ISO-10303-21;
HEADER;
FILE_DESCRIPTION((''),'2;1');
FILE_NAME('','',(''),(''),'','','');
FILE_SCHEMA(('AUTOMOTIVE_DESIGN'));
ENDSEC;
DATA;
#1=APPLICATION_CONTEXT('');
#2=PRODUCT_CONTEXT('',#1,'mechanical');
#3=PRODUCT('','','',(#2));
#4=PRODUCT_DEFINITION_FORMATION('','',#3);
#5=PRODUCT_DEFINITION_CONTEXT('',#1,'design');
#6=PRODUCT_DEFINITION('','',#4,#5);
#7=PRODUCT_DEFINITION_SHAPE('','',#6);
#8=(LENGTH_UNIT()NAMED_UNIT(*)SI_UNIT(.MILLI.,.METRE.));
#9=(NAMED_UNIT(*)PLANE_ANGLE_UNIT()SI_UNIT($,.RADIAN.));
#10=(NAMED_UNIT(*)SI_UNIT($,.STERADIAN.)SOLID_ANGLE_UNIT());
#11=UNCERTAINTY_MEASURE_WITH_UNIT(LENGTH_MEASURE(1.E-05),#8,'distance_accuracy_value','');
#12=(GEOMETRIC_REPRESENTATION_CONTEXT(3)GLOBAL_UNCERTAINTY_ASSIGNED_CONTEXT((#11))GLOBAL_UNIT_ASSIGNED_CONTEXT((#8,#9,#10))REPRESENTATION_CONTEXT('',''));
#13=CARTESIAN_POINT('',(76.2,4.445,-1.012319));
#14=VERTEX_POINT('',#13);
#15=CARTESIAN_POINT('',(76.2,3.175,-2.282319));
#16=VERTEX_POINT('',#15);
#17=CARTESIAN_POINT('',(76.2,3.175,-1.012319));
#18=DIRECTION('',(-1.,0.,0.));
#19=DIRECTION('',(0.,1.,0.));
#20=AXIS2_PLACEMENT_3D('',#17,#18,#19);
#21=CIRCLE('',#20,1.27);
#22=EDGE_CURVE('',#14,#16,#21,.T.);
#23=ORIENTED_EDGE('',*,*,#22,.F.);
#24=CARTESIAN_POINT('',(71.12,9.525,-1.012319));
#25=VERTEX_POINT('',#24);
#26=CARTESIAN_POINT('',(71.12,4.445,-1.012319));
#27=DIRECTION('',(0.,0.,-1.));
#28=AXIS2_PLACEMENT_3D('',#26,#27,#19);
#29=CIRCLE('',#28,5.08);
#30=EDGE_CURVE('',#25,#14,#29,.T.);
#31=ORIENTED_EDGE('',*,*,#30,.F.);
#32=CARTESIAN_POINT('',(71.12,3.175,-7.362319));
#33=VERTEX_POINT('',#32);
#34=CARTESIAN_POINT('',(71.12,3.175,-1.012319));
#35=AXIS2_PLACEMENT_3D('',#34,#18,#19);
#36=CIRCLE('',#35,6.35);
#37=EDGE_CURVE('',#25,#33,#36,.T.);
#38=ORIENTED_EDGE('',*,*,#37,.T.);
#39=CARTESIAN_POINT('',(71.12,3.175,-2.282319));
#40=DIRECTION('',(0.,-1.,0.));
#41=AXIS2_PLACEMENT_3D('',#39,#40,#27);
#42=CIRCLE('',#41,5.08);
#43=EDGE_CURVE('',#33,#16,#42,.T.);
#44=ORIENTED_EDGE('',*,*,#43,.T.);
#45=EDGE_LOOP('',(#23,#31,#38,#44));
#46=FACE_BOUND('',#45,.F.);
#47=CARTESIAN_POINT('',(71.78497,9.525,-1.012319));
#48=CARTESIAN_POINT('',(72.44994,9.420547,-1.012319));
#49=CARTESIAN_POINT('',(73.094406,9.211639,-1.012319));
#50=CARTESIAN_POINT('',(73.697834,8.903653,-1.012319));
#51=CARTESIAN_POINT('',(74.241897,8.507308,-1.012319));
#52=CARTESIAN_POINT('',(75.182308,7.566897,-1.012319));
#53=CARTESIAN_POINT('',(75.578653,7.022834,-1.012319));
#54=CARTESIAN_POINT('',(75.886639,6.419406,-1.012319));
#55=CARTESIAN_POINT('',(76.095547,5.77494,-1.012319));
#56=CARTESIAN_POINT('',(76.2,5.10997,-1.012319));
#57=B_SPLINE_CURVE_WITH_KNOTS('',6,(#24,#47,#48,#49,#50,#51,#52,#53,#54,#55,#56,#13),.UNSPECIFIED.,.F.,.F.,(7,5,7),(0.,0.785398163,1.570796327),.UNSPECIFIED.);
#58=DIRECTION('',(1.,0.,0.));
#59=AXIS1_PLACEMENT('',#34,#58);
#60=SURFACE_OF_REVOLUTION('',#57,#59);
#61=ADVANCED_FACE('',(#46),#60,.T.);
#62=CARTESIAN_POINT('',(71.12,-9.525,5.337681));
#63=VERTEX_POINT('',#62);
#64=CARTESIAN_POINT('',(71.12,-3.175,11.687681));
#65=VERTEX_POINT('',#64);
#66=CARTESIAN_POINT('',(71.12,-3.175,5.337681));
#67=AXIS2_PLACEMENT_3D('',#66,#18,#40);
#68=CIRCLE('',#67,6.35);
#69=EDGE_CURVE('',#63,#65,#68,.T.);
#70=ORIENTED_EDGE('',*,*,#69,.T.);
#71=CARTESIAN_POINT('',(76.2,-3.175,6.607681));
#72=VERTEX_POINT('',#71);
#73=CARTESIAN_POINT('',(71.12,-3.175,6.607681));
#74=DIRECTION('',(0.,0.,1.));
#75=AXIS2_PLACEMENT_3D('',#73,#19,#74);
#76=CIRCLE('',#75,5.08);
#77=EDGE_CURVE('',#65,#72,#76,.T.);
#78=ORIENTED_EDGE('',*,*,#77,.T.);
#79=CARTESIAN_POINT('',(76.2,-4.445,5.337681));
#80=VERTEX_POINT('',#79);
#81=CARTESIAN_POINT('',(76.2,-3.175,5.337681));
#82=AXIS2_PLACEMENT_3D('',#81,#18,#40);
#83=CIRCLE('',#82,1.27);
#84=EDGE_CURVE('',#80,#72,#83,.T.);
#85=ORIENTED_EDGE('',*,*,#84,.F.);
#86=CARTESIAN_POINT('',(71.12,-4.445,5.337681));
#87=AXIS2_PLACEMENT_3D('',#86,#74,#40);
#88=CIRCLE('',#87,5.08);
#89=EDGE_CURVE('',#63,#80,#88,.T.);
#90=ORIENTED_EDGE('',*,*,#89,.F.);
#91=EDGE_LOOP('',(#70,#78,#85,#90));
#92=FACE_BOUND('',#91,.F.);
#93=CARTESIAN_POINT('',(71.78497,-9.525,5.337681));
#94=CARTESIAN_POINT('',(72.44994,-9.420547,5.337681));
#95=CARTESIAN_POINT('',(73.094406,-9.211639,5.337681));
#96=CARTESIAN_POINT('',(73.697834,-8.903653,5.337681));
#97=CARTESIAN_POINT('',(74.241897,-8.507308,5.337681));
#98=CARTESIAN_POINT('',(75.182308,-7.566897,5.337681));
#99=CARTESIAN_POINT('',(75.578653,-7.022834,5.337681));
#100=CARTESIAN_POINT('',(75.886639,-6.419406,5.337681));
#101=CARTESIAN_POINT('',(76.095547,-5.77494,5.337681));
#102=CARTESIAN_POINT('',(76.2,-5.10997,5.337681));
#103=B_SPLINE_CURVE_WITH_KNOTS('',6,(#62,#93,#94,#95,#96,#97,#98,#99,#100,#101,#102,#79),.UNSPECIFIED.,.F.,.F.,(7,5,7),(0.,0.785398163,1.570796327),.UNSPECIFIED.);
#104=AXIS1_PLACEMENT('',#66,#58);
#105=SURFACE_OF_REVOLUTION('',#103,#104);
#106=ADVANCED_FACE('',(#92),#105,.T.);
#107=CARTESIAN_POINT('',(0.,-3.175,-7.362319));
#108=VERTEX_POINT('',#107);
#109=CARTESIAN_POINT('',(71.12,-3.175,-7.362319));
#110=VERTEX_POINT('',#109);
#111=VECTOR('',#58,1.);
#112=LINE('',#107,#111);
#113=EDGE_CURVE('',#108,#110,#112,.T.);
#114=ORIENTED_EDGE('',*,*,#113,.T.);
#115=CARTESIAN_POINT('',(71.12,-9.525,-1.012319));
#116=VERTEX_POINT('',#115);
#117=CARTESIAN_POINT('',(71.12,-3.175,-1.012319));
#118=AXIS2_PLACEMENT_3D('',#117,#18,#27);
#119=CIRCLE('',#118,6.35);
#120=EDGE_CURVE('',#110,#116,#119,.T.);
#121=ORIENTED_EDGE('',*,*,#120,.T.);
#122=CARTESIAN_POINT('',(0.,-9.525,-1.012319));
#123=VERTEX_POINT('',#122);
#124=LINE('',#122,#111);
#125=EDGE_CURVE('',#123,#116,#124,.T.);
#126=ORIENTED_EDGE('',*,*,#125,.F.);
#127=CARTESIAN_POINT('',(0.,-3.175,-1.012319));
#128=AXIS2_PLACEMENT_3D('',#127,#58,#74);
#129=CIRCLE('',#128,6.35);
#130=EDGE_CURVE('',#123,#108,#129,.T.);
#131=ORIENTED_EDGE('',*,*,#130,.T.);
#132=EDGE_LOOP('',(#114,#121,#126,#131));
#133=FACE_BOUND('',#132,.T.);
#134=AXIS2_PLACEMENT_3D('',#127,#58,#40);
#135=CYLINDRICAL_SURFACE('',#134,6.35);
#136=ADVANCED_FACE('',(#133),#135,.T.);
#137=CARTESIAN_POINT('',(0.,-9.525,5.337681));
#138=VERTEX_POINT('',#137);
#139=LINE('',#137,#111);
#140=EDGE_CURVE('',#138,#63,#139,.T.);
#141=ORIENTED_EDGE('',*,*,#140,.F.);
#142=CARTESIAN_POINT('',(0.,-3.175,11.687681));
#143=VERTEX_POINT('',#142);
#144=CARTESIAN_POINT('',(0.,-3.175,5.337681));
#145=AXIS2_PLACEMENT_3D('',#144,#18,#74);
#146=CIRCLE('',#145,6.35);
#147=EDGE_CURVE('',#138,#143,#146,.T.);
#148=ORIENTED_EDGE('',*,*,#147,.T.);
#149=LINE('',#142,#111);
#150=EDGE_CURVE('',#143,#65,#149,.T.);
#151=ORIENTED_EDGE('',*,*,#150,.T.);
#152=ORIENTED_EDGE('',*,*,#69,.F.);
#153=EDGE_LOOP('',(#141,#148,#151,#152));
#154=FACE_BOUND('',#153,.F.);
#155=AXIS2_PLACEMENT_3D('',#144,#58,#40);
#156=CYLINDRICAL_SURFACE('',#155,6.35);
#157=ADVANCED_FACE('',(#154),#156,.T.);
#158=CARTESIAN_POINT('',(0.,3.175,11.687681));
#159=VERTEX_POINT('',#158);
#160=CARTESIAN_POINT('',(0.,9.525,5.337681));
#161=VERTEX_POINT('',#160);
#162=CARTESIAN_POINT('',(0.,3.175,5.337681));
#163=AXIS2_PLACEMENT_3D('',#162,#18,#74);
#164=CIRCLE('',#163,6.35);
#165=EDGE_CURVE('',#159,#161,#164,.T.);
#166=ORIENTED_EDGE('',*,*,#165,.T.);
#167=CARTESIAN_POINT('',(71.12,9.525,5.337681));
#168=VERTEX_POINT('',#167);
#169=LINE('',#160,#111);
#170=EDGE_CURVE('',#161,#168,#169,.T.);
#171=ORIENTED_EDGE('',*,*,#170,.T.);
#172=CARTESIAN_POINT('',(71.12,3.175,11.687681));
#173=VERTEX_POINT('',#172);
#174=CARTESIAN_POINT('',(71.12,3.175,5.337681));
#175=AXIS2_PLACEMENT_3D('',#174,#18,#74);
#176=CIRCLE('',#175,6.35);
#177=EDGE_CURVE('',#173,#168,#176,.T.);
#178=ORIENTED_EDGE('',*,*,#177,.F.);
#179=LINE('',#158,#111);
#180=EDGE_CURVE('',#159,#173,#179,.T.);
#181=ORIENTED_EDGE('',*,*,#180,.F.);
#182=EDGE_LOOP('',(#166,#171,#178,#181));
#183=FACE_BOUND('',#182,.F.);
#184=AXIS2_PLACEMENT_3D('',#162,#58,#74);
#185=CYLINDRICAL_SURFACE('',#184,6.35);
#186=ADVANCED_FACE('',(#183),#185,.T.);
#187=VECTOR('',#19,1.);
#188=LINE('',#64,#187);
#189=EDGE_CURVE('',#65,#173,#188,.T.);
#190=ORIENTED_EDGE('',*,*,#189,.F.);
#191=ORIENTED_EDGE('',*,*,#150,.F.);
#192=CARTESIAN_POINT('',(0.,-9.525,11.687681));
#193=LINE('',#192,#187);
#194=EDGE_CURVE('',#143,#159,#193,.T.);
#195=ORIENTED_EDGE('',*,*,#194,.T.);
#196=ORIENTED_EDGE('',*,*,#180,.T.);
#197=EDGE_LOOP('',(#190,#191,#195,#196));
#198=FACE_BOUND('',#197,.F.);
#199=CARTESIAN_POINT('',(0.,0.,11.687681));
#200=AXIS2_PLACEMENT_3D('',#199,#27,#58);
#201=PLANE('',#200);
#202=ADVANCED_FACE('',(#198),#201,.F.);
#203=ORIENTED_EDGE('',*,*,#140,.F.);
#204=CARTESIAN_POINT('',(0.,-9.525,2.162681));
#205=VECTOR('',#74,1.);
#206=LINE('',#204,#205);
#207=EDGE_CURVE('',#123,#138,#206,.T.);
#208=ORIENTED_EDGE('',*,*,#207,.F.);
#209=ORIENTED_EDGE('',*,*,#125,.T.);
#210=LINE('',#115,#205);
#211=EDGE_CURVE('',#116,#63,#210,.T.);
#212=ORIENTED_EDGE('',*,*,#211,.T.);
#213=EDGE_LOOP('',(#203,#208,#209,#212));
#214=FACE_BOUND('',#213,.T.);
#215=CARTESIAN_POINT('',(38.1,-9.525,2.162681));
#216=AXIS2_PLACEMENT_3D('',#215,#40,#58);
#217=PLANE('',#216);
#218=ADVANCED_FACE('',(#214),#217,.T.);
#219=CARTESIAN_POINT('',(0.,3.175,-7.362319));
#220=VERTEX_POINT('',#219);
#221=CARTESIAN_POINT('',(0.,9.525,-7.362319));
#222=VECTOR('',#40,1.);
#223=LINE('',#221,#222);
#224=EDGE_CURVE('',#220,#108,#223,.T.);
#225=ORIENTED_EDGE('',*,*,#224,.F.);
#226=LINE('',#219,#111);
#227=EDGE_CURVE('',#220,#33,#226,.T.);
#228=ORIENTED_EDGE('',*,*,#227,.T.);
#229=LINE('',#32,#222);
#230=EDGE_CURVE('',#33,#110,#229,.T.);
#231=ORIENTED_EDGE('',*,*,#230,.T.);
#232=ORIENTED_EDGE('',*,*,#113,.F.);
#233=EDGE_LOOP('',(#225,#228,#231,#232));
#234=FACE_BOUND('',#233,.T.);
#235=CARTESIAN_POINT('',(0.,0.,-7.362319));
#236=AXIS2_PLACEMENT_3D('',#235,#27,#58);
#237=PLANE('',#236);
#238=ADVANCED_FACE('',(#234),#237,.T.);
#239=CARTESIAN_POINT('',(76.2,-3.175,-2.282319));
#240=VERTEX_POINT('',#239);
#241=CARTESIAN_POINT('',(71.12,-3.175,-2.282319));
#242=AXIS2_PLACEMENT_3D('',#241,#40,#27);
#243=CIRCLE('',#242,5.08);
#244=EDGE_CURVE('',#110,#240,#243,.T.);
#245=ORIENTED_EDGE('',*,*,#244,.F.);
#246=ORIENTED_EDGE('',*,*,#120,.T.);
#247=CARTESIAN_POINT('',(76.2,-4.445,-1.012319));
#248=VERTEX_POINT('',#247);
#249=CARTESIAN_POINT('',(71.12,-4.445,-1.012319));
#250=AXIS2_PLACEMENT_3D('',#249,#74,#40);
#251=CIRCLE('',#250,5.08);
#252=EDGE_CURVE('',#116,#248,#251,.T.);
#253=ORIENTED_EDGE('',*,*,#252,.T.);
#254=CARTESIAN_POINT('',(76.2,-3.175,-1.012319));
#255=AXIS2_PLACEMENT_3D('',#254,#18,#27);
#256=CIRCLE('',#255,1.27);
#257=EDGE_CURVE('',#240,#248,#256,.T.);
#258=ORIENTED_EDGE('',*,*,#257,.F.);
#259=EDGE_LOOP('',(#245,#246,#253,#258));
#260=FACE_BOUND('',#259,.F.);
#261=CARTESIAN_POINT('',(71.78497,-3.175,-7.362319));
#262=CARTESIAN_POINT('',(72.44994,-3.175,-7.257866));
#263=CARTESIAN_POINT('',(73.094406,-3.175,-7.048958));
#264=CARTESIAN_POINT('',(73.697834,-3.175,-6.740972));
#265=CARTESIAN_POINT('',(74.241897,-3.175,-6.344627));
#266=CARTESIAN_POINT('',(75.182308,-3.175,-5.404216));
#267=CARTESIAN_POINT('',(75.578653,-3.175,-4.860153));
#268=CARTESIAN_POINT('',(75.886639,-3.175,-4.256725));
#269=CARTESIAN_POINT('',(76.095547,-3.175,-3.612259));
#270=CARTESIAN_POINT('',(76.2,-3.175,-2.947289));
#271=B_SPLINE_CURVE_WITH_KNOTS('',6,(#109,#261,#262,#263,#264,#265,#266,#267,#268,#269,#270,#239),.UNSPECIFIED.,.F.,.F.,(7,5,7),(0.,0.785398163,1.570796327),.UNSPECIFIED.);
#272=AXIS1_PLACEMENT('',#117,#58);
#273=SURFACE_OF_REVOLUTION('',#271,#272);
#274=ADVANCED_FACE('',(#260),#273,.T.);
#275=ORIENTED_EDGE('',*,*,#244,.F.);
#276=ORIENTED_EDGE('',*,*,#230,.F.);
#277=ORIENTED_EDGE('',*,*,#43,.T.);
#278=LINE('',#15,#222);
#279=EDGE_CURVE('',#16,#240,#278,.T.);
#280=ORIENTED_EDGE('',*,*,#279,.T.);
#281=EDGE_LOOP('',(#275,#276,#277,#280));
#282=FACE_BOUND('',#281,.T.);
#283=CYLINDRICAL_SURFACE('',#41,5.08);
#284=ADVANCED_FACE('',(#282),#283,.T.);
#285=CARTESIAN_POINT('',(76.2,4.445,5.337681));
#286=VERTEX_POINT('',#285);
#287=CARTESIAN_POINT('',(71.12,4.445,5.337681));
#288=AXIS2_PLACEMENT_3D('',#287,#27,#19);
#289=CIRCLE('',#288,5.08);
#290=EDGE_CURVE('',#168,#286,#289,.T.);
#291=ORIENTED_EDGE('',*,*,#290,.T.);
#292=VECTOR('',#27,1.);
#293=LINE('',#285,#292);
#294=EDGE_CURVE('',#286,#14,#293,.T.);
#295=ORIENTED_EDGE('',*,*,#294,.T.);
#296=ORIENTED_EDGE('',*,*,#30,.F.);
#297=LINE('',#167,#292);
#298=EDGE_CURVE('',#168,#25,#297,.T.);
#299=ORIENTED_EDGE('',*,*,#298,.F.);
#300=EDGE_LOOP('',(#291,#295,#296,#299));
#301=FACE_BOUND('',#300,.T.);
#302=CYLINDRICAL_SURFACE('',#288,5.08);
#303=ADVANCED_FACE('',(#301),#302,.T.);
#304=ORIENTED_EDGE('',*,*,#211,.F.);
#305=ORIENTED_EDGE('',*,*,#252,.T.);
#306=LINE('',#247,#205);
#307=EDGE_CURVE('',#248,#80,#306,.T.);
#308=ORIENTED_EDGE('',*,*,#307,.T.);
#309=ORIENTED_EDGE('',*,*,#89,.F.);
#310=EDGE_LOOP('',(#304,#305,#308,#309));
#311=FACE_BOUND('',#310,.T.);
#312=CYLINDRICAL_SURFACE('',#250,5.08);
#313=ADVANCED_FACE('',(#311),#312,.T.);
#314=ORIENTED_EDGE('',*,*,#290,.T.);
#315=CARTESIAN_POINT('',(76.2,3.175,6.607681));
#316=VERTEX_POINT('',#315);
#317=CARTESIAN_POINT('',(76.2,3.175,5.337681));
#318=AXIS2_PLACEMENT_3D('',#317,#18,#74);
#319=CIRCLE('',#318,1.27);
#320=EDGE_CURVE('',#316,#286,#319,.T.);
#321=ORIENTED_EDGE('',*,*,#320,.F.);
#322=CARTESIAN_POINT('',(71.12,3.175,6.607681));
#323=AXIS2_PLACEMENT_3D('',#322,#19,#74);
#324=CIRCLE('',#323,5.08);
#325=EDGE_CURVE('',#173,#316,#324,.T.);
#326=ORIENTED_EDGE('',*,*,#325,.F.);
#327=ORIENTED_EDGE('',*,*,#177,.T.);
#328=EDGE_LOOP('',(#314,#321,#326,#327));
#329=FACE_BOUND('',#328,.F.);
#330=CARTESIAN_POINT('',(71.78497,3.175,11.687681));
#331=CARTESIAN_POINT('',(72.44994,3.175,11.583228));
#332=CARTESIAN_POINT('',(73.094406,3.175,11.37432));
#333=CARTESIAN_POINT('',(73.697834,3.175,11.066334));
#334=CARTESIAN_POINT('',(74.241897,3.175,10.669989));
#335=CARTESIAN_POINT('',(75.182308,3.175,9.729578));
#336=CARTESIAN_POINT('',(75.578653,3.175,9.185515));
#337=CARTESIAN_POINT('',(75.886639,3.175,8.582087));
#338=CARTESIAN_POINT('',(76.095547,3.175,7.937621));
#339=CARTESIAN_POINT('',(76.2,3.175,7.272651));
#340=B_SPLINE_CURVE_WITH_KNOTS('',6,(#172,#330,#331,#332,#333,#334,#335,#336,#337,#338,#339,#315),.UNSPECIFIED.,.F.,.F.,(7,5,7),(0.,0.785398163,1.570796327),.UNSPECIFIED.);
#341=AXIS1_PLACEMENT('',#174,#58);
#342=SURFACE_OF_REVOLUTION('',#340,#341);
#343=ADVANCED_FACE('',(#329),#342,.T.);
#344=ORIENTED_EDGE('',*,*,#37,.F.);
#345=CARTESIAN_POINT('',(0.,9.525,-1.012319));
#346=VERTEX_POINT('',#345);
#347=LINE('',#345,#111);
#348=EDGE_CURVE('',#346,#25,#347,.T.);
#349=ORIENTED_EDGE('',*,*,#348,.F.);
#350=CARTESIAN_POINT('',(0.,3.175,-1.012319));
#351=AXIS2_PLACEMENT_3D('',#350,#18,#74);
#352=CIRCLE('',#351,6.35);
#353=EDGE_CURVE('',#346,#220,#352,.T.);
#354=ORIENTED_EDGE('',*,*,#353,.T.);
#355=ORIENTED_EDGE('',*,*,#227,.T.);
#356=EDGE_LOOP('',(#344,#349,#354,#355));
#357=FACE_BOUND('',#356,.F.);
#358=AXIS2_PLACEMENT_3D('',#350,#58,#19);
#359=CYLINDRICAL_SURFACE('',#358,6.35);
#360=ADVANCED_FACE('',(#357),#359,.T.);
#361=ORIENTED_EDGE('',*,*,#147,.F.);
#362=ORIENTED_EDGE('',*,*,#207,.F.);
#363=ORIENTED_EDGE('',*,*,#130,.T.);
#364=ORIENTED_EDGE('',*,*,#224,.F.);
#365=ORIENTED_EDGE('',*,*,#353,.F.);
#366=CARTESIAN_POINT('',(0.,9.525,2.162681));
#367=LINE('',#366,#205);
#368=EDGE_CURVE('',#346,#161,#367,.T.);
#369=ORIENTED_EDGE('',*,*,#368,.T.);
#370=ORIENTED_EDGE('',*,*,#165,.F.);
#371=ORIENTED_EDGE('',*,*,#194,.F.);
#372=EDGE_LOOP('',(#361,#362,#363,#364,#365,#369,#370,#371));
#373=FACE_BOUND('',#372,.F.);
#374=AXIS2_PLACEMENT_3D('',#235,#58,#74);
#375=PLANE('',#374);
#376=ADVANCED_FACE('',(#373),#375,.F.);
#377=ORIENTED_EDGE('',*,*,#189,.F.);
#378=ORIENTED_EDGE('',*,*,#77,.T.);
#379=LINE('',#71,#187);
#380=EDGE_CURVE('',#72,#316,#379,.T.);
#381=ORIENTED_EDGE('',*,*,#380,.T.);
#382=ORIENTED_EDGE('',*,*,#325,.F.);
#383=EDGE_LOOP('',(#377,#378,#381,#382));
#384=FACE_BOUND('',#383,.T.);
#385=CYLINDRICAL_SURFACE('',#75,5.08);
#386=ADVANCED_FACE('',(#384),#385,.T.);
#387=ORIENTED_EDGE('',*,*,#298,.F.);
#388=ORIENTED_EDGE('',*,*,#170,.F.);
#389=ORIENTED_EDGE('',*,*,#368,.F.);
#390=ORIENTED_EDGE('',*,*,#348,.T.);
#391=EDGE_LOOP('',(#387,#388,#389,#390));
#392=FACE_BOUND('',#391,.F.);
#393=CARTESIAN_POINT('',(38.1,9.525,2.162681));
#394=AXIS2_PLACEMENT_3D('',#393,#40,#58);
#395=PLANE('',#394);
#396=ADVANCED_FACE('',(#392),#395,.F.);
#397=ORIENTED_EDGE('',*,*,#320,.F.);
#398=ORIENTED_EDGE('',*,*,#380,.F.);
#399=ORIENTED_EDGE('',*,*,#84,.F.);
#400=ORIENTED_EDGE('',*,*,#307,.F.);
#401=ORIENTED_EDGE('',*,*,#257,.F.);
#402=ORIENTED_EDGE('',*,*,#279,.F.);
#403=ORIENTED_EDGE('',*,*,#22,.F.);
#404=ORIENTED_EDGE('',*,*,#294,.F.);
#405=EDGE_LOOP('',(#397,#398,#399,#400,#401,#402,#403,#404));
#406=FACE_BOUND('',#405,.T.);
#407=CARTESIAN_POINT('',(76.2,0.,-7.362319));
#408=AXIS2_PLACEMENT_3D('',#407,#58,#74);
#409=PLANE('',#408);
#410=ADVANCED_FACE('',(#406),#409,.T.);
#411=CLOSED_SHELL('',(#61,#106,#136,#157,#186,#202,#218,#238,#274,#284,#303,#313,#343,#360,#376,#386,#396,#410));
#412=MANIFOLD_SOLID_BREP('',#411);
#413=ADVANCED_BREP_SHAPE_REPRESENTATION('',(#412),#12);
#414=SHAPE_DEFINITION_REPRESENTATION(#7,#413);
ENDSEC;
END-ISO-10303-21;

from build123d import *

# Parameters (mm, degrees)
F0_W     = 76.2
F0_H     = 19.05
F1_DEPTH = 9.525
F2_R     = 6.35
F3_R     = 5.08


with BuildPart() as f1:
    # F0 (on Front) → F1 (new body, symmetric)
    with BuildSketch(Plane.XZ):
        with Locations((38.1, 2.162681)):
            Rectangle(F0_W, F0_H)
    extrude(amount=F1_DEPTH, both=True)

    # F2
    f2_edges = [f1.edges().sort_by_distance(p)[0] for p in [
        (38.1, 9.525, 11.687681),
        (38.1, -9.525, 11.687681),
        (38.1, -9.525, -7.362319),
        (38.1, 9.525, -7.362319),
    ]]
    fillet(f2_edges, radius=F2_R)

    # F3
    f3_edges = [f1.edges().sort_by_distance(p)[0] for p in [
        (76.2, 0, 11.687681),
    ]]
    fillet(f3_edges, radius=F3_R)


solid = f1.part
